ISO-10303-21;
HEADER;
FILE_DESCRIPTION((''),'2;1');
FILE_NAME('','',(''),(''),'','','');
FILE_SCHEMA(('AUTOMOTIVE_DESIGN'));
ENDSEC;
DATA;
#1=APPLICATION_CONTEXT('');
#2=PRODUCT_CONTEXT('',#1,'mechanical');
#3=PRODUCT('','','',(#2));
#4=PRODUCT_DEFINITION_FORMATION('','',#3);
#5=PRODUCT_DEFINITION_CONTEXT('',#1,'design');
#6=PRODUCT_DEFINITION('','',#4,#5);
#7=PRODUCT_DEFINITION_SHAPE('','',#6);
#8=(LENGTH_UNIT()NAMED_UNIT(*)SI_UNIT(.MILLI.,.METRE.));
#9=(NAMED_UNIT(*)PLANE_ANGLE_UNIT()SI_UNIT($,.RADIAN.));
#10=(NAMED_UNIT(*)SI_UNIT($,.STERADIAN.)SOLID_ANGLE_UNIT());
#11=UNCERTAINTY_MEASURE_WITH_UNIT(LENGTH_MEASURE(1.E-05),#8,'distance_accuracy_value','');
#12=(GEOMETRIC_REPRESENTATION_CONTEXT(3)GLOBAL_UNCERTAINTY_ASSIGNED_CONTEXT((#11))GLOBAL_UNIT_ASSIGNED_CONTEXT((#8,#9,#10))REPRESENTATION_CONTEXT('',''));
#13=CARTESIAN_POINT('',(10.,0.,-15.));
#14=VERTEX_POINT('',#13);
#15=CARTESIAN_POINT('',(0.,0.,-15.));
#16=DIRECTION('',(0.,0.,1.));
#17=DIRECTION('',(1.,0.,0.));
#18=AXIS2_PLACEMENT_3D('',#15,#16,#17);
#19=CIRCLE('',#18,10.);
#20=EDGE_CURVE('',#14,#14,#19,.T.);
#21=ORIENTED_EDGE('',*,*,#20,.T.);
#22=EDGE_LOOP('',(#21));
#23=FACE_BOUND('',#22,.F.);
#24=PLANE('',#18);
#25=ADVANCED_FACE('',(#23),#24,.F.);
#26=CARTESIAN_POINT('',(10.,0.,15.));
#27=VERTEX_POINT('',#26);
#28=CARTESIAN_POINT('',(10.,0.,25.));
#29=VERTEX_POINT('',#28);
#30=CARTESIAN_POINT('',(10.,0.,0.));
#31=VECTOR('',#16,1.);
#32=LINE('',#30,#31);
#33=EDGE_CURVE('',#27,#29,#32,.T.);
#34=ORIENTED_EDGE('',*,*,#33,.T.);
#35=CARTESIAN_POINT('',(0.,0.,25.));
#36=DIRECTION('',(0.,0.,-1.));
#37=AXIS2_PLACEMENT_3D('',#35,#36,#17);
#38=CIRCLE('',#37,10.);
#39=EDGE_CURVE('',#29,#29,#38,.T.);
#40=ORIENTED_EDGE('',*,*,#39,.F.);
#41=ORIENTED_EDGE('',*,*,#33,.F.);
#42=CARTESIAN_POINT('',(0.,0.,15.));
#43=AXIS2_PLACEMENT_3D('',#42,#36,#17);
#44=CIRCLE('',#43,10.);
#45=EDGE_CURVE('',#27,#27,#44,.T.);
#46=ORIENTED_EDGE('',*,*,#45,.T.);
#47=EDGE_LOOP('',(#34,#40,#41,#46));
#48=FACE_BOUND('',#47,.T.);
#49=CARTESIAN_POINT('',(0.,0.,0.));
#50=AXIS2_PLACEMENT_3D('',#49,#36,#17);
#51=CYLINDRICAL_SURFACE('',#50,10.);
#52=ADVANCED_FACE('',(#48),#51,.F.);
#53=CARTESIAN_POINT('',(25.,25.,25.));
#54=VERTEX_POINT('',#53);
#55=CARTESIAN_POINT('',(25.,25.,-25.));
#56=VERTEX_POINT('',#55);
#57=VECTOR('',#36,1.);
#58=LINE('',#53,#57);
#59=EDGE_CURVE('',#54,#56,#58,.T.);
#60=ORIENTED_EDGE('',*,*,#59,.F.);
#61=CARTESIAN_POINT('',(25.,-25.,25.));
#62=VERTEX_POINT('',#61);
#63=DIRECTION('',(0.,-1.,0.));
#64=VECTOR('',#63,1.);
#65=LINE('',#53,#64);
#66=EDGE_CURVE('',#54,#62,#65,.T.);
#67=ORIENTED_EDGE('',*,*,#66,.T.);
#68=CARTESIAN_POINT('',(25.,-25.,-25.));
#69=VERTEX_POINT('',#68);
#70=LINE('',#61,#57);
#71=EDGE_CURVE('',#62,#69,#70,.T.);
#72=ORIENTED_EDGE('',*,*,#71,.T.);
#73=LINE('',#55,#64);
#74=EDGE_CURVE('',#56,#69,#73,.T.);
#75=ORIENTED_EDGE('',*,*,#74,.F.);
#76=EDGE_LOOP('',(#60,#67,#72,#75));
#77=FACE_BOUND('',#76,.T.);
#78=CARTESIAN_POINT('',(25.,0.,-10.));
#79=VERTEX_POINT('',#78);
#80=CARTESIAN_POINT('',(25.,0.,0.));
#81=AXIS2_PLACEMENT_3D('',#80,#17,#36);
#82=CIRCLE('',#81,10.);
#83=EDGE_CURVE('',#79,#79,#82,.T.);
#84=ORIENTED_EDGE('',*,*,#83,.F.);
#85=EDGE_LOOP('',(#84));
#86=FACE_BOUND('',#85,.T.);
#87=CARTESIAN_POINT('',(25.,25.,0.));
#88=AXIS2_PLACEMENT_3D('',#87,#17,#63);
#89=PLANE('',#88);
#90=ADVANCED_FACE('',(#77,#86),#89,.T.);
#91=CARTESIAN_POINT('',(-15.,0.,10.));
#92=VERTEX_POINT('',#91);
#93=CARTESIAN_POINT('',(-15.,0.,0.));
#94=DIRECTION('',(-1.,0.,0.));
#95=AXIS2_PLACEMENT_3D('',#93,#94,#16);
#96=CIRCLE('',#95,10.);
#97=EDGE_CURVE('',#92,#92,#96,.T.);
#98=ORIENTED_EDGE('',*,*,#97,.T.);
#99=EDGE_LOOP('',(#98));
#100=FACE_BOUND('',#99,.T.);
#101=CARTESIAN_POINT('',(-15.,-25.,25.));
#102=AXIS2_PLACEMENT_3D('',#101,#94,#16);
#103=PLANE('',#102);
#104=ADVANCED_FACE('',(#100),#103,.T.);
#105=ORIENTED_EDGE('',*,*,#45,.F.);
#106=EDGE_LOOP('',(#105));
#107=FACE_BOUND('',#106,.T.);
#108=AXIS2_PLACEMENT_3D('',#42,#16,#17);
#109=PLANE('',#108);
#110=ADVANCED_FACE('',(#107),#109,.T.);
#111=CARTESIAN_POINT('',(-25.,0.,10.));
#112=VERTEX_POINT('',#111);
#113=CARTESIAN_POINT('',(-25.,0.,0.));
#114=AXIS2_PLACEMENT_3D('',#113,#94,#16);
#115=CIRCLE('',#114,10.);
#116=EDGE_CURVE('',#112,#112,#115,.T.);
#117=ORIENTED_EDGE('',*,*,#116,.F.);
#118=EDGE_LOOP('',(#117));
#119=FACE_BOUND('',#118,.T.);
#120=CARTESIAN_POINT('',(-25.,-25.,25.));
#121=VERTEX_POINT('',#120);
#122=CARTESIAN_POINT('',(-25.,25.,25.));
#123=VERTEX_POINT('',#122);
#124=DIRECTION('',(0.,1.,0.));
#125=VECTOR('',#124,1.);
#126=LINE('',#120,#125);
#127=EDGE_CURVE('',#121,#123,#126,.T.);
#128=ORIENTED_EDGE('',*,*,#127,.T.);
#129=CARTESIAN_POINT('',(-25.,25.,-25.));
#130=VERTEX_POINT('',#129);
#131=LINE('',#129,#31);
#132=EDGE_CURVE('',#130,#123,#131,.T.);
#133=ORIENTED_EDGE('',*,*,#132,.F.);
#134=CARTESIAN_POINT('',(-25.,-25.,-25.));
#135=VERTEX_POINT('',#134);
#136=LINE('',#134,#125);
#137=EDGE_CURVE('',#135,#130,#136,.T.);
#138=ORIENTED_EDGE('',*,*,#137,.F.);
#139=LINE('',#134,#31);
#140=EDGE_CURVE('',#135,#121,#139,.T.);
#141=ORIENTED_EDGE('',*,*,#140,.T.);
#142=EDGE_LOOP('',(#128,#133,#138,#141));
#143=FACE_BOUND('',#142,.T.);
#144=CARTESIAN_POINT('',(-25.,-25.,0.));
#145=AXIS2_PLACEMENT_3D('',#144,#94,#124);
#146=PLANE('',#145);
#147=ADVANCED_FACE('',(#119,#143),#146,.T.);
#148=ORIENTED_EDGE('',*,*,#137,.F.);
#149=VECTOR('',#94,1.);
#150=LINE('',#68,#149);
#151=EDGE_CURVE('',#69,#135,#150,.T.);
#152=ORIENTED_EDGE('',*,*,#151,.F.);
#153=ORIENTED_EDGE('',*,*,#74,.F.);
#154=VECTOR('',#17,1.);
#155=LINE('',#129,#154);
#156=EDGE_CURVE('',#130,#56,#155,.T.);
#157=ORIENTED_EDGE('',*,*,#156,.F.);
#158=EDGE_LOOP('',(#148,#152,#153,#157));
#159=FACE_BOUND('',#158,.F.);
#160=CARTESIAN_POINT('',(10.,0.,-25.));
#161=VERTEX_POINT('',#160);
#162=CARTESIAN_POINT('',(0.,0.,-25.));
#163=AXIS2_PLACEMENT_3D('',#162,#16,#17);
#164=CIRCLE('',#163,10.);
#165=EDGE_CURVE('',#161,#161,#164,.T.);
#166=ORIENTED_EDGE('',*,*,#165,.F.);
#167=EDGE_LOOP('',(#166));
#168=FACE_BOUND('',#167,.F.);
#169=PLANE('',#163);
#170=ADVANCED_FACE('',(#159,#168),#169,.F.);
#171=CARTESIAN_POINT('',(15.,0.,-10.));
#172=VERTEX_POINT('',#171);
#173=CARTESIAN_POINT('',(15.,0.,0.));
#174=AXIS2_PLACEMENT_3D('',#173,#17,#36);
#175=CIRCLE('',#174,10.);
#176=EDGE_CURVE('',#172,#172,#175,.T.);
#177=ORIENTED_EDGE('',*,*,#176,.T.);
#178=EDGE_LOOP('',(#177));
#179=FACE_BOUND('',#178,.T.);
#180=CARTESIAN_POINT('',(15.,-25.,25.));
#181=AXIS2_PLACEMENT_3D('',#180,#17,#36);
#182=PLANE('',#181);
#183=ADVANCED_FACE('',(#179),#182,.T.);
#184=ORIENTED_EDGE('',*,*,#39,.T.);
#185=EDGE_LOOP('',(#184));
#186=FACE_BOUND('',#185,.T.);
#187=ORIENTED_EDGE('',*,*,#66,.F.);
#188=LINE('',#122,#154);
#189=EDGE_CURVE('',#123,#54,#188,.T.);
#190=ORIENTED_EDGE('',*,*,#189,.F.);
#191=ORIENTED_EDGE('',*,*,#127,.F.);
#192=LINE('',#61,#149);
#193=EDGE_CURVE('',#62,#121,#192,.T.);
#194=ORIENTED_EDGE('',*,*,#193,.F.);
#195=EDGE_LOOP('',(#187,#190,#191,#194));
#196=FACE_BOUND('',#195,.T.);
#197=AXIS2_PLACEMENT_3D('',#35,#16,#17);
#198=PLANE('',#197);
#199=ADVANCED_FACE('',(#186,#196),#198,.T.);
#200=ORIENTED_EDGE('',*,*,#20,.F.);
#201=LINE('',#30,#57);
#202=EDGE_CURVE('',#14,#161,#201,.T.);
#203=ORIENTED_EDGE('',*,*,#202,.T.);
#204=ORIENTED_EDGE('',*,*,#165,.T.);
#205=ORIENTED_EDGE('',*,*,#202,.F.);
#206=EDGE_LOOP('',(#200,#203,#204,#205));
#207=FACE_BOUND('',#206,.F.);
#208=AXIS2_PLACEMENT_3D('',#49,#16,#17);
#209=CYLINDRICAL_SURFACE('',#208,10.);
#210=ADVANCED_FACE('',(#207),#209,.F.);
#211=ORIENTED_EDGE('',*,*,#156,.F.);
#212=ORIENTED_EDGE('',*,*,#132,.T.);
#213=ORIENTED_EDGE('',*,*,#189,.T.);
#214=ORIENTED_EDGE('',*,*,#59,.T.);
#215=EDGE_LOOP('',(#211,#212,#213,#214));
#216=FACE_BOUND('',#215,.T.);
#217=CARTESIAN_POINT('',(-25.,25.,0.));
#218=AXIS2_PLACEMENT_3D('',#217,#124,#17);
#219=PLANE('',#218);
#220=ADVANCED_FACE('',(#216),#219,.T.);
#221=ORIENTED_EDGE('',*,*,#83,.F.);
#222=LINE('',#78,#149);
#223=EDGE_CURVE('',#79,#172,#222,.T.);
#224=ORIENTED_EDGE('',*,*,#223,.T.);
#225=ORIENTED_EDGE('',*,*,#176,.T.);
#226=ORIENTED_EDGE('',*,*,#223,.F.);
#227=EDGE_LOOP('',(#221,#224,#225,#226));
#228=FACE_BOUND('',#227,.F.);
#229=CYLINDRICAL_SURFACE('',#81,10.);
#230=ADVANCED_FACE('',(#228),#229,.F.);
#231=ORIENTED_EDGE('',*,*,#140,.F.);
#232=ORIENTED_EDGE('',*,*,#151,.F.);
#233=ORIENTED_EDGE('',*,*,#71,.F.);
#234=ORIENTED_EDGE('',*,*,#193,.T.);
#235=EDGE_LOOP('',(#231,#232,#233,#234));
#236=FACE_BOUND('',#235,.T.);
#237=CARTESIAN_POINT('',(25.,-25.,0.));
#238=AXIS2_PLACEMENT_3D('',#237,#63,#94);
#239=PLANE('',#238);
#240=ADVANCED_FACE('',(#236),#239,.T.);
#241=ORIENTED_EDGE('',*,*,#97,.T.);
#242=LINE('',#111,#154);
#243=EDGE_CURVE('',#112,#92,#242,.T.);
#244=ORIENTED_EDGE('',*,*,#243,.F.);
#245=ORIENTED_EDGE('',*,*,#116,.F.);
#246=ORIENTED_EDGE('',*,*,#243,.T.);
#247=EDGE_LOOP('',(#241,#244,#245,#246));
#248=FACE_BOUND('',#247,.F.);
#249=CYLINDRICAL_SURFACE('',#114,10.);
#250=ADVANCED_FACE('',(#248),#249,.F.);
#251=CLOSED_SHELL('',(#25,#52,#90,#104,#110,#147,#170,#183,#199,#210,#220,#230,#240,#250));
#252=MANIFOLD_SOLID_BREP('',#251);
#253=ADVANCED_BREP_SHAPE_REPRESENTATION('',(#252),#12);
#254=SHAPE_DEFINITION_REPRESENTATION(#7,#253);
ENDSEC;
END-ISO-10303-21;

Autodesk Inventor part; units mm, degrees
ref_plane "YZ Plane" through (0, 0, 0) normal (1, 0, 0) x (0, 1, 0)
ref_plane "XZ Plane" through (0, 0, 0) normal (0, 1, 0) x (-1, 0, 0)
ref_plane "XY Plane" through (0, 0, 0) normal (0, 0, 1) x (1, 0, 0)
sketch "Sketch1" plane through (0, 0, 0) normal (1, 0, 0) x (0, 1, 0)
  line L0 (31.9501, 0) -> (-31.3732, 0)
  line L1 (0, 29.3537) -> (0, -50.8461) construction
  line L2 (25, 25) -> (-25, 25)
  line L3 (-25, 25) -> (-25, -25)
  line L4 (-25, -25) -> (25, -25)
  line L5 (25, -25) -> (25, 25)
  circle A0 centre (0.2885, 0) radius 10
  point P0 (0, 0)
  dimension "d0" = 50
  dimension "d1" = 50
  dimension "d3" = 50
  dimension "d4" = 50
  dimension "d5" = 20
sketch "Sketch2" plane through (0, 0, 0) normal (0, 0, 1) x (1, 0, 0)
  line L0 (0, 17.9809) -> (0, -21.5338)
  line L1 (-16.5078, 0) -> (19.6274, 0)
  line L2 (-25, 25) -> (25, 25)
  line L3 (25, 25) -> (25, -25)
  line L4 (25, -25) -> (-25, -25)
  line L5 (-25, -25) -> (-25, 25)
  circle A0 centre (0, 0) radius 10
  dimension "d6" = 50
  dimension "d7" = 50
  dimension "d8" = 25
  dimension "d9" = 50
  dimension "d10" = 20
extrude "Extrusion1" add sketch "Sketch2" along normal mid plane 50
extrude "Extrusion2" add sketch "Sketch2" along normal mid plane 30 contours A0 L1 L0 | L0 L1 A0 | L1 A0 L0 | L0 A0 L1
sketch "Sketch3" plane through (-25, -25, 25) normal (-1, 0, 0) x (0, 0, 1)
  circle A0 centre (-25, 25) radius 10
  dimension "d15" = 20
extrude "Extrusion3" cut sketch "Sketch3" against normal blind 10
sketch "Sketch4" plane through (25, -25, 25) normal (1, 0, 0) x (0, 0, -1)
  circle A0 centre (25, 25) radius 10
  dimension "d18" = 20
extrude "Extrusion4" cut sketch "Sketch4" against normal blind 10
properties part number "CT_02"
